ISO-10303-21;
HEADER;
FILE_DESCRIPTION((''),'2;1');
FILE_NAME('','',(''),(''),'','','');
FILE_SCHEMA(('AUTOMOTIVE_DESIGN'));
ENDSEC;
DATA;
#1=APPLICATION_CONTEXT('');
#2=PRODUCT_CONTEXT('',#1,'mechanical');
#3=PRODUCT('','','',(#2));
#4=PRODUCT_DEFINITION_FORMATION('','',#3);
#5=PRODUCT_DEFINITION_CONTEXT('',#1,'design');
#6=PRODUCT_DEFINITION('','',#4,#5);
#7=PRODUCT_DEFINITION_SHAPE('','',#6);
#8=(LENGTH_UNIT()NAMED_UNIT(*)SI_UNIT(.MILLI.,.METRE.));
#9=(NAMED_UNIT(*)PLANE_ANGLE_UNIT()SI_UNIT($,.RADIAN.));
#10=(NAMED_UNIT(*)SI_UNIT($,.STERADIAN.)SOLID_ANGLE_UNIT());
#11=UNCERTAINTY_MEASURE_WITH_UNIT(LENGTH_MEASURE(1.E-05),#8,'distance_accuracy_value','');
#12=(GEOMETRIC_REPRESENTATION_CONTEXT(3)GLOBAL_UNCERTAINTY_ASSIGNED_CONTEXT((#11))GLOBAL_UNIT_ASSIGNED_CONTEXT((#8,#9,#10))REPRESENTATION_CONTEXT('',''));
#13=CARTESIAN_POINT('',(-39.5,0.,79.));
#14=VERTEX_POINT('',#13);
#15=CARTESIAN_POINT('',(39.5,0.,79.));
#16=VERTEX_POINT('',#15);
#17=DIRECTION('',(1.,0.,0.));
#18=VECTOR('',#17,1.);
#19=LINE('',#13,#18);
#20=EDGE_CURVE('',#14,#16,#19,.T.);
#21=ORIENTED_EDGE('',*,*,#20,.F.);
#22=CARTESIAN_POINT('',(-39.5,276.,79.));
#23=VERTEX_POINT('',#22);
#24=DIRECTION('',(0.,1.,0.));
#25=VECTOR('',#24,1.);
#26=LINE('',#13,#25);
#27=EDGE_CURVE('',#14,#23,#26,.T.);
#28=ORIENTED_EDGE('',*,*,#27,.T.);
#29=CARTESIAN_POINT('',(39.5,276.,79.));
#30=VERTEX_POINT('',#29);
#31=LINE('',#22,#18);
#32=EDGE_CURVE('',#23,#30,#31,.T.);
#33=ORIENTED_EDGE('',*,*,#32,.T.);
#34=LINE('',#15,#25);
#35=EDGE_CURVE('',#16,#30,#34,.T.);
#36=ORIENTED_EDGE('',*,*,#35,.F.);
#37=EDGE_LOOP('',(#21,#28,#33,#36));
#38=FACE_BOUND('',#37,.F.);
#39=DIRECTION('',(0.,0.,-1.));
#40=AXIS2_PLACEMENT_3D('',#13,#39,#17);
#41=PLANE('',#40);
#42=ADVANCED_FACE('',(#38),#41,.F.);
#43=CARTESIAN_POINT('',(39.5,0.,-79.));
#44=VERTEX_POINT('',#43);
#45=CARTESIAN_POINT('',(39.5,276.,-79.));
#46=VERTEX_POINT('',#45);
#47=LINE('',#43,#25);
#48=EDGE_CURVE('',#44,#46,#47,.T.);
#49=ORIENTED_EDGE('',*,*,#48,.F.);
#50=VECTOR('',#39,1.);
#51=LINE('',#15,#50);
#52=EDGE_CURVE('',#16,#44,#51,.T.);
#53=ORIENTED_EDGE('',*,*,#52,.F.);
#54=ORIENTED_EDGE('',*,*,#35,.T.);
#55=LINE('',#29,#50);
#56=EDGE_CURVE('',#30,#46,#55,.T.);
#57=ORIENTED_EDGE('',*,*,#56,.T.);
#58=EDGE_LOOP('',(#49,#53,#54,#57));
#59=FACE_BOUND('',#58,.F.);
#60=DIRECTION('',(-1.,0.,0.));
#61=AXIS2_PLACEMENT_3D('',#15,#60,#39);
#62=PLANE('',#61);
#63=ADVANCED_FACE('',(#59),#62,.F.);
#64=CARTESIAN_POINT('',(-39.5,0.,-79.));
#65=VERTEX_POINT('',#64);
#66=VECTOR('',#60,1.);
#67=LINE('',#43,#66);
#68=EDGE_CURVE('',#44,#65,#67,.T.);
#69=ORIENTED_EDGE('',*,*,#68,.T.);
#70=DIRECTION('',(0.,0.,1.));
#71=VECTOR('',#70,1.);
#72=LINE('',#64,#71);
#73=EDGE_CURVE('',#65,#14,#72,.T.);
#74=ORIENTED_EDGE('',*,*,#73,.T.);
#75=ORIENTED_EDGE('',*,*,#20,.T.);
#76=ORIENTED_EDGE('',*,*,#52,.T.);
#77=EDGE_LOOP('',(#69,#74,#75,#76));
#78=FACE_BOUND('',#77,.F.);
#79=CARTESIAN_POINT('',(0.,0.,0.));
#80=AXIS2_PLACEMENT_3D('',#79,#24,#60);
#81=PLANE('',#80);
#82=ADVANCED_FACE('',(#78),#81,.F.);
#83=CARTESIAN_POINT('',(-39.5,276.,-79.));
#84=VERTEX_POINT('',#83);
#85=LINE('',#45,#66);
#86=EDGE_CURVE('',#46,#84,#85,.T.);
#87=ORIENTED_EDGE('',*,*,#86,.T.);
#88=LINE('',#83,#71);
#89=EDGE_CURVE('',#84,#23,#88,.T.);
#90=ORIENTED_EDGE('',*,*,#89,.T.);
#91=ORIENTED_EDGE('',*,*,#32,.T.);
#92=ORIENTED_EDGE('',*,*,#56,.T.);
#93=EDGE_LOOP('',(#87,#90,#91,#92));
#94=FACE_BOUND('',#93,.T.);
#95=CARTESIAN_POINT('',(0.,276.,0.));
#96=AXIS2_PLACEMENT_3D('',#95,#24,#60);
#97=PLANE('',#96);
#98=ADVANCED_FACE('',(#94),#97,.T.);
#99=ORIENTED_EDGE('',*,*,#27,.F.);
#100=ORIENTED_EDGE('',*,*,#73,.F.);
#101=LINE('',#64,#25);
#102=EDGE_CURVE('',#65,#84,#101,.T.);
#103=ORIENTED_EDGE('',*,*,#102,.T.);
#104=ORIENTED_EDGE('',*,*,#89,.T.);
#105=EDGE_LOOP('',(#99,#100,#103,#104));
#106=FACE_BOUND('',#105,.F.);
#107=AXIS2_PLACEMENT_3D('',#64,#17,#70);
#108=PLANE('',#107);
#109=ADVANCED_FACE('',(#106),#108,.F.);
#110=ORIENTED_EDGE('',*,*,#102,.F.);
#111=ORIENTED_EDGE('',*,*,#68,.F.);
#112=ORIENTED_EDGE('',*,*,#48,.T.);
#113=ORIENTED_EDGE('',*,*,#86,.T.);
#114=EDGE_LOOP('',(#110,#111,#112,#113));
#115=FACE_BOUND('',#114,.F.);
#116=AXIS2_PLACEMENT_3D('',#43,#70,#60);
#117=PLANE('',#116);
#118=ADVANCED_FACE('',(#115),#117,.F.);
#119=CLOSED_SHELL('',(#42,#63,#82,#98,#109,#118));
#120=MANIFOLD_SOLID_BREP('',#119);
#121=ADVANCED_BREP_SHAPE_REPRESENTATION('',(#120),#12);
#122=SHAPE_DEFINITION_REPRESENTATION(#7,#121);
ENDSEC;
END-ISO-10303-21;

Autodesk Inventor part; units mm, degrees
ref_plane "YZ Plane" through (0, 0, 0) normal (1, 0, 0) x (0, 1, 0)
ref_plane "XZ Plane" through (0, 0, 0) normal (0, 1, 0) x (-1, 0, 0)
ref_plane "XY Plane" through (0, 0, 0) normal (0, 0, 1) x (1, 0, 0)
sketch "Sketch1" plane through (0, 0, 0) normal (0, 1, 0) x (-1, 0, 0)
  line L0 (39.5, 79) -> (-39.5, 79)
  line L1 (-39.5, 79) -> (-39.5, -79)
  line L2 (-39.5, -79) -> (39.5, -79)
  line L3 (39.5, -79) -> (39.5, 79)
  line L4 (39.5, 79) -> (-39.5, -79) construction
  line L5 (-39.5, 79) -> (39.5, -79) construction
  point P0 (0, 0)
  dimension "d0" = 158
  dimension "d1" = 79
extrude "Extrusion1" add sketch "Sketch1" along normal blind 276
properties part number "BatteryPlaceholder" material "Air"
